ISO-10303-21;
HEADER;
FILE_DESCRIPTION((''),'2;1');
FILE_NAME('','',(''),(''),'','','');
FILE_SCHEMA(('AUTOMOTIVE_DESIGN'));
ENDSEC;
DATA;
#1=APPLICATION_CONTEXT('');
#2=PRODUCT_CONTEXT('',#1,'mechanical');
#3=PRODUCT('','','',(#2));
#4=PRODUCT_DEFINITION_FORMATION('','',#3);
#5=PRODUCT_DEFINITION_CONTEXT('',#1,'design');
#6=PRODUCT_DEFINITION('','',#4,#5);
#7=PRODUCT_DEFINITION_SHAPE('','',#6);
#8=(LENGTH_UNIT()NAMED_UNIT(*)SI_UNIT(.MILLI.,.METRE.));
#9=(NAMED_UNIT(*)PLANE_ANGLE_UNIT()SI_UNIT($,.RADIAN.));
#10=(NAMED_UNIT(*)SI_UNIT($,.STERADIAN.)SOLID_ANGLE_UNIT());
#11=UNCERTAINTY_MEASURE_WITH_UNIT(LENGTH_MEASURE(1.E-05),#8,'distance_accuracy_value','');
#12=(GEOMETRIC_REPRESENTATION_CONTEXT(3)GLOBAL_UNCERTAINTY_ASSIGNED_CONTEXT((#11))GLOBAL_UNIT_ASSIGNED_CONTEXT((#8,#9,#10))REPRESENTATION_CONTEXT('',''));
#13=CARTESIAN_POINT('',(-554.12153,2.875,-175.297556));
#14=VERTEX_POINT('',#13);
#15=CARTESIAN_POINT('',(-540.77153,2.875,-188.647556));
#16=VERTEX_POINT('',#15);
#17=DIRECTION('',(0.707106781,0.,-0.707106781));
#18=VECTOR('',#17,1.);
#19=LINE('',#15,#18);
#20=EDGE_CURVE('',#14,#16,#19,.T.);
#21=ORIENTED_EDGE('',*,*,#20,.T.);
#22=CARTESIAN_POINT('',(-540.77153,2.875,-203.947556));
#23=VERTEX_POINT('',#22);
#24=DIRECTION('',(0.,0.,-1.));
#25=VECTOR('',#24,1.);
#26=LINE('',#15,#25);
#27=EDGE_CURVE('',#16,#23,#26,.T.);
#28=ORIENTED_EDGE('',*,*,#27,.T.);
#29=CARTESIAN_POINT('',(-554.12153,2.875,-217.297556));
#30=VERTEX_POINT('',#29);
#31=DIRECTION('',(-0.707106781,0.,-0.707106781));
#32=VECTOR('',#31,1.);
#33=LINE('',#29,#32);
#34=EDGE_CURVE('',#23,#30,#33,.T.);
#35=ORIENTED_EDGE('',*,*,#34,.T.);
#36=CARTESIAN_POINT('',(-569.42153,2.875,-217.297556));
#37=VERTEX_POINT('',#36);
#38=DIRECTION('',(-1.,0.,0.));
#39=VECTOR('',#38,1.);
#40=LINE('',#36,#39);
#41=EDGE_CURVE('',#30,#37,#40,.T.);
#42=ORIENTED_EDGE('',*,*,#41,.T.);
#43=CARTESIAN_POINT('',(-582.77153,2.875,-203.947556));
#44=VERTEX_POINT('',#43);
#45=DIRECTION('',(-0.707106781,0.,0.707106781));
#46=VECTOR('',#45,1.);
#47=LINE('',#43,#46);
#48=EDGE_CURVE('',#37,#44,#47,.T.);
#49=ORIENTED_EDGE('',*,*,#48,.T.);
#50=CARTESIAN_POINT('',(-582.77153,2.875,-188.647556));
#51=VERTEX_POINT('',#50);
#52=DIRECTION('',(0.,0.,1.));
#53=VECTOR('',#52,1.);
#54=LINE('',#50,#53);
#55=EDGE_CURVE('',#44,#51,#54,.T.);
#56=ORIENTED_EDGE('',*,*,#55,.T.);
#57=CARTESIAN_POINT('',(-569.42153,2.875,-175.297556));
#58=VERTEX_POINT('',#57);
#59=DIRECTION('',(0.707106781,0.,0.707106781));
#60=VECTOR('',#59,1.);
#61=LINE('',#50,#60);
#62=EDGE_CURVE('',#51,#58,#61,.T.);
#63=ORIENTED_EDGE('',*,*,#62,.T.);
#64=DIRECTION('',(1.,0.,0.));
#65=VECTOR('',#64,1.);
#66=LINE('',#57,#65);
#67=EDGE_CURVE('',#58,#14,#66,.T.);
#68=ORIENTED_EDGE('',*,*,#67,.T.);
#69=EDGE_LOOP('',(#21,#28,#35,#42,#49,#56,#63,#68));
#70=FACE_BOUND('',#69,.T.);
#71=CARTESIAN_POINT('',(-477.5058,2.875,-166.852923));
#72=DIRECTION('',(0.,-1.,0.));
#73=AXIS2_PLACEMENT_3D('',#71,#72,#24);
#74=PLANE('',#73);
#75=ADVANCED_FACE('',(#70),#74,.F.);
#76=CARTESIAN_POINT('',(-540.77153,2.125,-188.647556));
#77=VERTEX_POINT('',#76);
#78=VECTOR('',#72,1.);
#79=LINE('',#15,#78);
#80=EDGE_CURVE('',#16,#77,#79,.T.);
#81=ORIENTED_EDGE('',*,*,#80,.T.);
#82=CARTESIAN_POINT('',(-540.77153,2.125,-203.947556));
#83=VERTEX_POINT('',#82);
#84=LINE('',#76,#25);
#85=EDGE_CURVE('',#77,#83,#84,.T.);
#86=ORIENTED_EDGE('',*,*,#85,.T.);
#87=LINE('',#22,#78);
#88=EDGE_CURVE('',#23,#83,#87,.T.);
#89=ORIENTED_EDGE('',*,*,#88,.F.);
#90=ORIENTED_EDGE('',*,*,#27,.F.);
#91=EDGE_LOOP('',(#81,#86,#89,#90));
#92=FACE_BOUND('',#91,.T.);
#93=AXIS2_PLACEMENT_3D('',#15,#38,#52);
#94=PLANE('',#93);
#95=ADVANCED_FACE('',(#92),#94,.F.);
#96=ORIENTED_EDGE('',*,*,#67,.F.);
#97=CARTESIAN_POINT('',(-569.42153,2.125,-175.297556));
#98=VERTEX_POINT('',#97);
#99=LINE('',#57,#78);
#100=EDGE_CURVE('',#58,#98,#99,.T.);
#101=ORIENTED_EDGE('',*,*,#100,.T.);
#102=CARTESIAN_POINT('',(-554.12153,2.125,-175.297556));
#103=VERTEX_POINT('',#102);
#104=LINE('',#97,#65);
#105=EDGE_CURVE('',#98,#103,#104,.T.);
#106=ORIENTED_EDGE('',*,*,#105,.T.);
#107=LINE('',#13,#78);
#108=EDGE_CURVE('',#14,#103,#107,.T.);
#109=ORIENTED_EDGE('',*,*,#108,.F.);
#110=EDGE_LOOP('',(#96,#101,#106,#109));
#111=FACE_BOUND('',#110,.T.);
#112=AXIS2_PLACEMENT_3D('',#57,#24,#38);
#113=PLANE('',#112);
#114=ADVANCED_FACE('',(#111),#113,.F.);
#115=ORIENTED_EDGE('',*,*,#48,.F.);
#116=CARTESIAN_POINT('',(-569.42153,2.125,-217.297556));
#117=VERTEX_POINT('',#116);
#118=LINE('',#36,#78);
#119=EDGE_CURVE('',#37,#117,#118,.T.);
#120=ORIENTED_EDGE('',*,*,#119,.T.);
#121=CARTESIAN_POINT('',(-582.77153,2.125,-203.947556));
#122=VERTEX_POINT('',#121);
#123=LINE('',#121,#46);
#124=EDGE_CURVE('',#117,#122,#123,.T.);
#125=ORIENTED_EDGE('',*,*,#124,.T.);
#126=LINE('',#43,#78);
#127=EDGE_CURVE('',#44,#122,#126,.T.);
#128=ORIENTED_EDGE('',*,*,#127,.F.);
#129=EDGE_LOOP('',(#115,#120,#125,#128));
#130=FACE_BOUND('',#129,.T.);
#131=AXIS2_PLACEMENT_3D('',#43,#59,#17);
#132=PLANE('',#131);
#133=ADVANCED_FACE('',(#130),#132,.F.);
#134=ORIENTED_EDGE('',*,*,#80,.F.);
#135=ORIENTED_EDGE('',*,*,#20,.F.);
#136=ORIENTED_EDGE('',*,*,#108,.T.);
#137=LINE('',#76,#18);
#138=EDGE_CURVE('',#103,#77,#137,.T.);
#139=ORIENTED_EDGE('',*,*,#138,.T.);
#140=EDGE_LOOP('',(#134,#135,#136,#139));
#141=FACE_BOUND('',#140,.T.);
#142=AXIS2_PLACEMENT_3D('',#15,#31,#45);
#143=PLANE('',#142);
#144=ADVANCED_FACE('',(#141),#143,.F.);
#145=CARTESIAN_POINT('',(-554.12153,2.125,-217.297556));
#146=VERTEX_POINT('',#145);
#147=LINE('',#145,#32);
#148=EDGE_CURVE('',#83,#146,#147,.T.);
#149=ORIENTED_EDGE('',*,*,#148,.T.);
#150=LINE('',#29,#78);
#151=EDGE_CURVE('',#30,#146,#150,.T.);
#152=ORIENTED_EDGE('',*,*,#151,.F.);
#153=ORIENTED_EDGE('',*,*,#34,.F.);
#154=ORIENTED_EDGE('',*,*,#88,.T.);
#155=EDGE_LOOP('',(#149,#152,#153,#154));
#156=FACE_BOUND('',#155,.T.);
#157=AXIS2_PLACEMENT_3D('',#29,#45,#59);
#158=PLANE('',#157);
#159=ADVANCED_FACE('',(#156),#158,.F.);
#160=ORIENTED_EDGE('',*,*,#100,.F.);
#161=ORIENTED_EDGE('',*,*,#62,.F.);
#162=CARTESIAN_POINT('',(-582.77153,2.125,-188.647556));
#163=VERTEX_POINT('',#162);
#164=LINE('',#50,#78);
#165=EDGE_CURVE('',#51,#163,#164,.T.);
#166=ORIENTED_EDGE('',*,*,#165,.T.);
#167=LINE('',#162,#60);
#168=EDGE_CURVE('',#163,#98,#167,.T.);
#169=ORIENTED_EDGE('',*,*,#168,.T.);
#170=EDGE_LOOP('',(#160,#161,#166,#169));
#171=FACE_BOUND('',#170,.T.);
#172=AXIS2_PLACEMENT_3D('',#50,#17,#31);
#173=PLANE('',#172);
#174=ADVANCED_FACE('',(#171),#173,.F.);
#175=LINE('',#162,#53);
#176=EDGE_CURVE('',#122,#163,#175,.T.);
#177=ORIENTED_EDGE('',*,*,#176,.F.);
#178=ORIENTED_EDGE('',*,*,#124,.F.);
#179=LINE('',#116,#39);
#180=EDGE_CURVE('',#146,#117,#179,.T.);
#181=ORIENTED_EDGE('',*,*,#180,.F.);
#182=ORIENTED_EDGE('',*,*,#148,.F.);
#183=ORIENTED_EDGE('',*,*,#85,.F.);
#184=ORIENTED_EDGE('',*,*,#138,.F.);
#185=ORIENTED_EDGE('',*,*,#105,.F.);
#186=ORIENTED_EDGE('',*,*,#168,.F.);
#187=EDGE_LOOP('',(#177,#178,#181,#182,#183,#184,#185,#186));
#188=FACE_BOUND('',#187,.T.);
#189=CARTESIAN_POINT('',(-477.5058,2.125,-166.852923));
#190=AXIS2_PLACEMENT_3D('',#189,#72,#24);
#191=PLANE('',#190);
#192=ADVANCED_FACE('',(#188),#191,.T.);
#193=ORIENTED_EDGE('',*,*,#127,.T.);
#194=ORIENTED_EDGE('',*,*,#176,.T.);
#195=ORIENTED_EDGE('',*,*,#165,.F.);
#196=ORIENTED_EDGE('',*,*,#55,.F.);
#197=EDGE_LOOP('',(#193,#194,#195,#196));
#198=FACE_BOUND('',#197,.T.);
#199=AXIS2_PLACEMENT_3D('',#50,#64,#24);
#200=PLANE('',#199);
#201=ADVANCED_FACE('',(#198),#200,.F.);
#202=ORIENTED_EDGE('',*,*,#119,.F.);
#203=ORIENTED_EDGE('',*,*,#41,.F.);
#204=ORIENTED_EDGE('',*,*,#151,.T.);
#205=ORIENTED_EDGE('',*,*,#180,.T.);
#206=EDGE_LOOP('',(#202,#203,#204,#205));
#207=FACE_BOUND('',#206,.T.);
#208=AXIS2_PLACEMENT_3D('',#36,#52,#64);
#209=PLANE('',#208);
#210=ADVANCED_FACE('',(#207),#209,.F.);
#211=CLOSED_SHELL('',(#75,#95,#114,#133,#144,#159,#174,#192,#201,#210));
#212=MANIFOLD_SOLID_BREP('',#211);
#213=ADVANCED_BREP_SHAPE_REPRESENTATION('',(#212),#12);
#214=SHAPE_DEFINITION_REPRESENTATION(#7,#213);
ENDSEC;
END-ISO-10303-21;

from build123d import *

# Parameters (mm, degrees)
BOSS_EXTRUDE1_DEPTH = 5
SCALE1_SCALE        = 0.15


with BuildPart() as part:
    # Sketch3 → Boss-Extrude1 (new body)
    with BuildSketch(Plane(origin=(0, 0, 0), x_dir=(1, 0, 0), z_dir=(0, 1, 0))):
        Polygon((-612.771529665, 336.297556136), (-510.771529665, 336.297556136), (-421.771529665, 247.297556136), (-421.771529665, 145.297556136), (-510.771529665, 56.297556136), (-612.771529665, 56.297556136), (-701.771529665, 145.297556136), (-701.771529665, 247.297556136), align=None)
    extrude(amount=BOSS_EXTRUDE1_DEPTH)


with BuildPart() as part_1:
    # Scale1: scaled about (-561.771529665, 2.5, -196.297556136)
    add(part.part.scale(SCALE1_SCALE).moved(Location((-477.505800215, 2.125, -166.852922716))))


solid = part_1.part
